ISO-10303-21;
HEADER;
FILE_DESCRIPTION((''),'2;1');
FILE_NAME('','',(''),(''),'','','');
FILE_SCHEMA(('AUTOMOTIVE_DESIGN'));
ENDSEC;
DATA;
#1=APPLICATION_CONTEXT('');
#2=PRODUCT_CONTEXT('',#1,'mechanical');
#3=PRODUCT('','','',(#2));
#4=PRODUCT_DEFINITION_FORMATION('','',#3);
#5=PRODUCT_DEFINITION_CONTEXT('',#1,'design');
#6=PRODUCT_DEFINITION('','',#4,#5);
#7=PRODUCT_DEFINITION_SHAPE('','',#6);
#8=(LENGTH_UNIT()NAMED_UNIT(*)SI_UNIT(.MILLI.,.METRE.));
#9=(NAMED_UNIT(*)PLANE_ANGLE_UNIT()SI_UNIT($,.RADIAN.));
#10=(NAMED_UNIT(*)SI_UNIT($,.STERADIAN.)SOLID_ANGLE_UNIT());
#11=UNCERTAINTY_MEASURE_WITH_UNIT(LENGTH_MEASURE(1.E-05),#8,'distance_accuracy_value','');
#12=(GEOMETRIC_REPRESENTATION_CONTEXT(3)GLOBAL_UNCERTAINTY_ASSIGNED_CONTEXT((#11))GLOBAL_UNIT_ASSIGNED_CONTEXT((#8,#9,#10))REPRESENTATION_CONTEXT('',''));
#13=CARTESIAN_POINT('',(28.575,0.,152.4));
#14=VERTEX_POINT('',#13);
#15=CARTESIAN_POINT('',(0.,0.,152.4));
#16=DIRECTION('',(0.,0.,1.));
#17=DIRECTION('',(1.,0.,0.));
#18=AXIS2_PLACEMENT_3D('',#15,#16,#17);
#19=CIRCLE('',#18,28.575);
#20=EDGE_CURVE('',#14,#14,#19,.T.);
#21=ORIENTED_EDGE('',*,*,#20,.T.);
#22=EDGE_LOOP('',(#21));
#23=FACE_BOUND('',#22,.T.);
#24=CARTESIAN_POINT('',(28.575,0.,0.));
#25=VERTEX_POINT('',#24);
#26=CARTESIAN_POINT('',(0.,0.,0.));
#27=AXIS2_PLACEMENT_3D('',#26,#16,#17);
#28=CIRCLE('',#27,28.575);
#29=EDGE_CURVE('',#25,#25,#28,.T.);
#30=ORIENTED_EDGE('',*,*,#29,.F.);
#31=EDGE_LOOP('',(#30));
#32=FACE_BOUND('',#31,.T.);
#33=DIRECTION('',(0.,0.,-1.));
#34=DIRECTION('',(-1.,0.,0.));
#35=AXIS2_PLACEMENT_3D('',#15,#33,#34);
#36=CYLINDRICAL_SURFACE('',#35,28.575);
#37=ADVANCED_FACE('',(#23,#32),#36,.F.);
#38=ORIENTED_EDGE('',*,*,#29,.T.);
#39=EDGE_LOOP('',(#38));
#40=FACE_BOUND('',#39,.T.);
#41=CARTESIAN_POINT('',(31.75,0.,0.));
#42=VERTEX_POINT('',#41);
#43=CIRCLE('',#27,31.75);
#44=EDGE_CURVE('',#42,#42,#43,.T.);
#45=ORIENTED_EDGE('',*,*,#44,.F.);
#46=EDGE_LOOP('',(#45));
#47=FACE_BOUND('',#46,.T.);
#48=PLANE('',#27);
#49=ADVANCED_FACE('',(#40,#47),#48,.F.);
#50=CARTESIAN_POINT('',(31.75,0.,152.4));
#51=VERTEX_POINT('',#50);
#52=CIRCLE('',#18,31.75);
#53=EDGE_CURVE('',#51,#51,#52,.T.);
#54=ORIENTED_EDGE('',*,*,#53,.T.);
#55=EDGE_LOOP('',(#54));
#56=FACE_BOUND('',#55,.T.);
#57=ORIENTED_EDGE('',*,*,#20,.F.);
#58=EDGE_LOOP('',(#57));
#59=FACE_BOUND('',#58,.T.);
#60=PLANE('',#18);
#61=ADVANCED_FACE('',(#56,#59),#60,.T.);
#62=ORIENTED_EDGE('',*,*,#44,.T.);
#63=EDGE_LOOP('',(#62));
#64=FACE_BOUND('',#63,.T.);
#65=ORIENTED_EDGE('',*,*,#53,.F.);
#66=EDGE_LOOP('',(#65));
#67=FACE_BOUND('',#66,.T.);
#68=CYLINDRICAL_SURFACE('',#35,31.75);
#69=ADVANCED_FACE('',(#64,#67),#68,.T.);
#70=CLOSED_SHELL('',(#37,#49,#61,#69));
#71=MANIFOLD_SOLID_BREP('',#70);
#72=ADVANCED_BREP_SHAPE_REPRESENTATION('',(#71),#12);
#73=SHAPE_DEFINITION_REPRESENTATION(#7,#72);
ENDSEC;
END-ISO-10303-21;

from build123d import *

# Parameters (mm, degrees)
SKETCH5_R           = 31.75
SKETCH5_R_2         = 28.575
BOSS_EXTRUDE1_DEPTH = 152.4


with BuildPart() as part:
    # Sketch5 → Boss-Extrude1 (new body)
    with BuildSketch(Plane.XY):
        Circle(SKETCH5_R)
        Circle(SKETCH5_R_2, mode=Mode.SUBTRACT)
    extrude(amount=BOSS_EXTRUDE1_DEPTH)


solid = part.part
